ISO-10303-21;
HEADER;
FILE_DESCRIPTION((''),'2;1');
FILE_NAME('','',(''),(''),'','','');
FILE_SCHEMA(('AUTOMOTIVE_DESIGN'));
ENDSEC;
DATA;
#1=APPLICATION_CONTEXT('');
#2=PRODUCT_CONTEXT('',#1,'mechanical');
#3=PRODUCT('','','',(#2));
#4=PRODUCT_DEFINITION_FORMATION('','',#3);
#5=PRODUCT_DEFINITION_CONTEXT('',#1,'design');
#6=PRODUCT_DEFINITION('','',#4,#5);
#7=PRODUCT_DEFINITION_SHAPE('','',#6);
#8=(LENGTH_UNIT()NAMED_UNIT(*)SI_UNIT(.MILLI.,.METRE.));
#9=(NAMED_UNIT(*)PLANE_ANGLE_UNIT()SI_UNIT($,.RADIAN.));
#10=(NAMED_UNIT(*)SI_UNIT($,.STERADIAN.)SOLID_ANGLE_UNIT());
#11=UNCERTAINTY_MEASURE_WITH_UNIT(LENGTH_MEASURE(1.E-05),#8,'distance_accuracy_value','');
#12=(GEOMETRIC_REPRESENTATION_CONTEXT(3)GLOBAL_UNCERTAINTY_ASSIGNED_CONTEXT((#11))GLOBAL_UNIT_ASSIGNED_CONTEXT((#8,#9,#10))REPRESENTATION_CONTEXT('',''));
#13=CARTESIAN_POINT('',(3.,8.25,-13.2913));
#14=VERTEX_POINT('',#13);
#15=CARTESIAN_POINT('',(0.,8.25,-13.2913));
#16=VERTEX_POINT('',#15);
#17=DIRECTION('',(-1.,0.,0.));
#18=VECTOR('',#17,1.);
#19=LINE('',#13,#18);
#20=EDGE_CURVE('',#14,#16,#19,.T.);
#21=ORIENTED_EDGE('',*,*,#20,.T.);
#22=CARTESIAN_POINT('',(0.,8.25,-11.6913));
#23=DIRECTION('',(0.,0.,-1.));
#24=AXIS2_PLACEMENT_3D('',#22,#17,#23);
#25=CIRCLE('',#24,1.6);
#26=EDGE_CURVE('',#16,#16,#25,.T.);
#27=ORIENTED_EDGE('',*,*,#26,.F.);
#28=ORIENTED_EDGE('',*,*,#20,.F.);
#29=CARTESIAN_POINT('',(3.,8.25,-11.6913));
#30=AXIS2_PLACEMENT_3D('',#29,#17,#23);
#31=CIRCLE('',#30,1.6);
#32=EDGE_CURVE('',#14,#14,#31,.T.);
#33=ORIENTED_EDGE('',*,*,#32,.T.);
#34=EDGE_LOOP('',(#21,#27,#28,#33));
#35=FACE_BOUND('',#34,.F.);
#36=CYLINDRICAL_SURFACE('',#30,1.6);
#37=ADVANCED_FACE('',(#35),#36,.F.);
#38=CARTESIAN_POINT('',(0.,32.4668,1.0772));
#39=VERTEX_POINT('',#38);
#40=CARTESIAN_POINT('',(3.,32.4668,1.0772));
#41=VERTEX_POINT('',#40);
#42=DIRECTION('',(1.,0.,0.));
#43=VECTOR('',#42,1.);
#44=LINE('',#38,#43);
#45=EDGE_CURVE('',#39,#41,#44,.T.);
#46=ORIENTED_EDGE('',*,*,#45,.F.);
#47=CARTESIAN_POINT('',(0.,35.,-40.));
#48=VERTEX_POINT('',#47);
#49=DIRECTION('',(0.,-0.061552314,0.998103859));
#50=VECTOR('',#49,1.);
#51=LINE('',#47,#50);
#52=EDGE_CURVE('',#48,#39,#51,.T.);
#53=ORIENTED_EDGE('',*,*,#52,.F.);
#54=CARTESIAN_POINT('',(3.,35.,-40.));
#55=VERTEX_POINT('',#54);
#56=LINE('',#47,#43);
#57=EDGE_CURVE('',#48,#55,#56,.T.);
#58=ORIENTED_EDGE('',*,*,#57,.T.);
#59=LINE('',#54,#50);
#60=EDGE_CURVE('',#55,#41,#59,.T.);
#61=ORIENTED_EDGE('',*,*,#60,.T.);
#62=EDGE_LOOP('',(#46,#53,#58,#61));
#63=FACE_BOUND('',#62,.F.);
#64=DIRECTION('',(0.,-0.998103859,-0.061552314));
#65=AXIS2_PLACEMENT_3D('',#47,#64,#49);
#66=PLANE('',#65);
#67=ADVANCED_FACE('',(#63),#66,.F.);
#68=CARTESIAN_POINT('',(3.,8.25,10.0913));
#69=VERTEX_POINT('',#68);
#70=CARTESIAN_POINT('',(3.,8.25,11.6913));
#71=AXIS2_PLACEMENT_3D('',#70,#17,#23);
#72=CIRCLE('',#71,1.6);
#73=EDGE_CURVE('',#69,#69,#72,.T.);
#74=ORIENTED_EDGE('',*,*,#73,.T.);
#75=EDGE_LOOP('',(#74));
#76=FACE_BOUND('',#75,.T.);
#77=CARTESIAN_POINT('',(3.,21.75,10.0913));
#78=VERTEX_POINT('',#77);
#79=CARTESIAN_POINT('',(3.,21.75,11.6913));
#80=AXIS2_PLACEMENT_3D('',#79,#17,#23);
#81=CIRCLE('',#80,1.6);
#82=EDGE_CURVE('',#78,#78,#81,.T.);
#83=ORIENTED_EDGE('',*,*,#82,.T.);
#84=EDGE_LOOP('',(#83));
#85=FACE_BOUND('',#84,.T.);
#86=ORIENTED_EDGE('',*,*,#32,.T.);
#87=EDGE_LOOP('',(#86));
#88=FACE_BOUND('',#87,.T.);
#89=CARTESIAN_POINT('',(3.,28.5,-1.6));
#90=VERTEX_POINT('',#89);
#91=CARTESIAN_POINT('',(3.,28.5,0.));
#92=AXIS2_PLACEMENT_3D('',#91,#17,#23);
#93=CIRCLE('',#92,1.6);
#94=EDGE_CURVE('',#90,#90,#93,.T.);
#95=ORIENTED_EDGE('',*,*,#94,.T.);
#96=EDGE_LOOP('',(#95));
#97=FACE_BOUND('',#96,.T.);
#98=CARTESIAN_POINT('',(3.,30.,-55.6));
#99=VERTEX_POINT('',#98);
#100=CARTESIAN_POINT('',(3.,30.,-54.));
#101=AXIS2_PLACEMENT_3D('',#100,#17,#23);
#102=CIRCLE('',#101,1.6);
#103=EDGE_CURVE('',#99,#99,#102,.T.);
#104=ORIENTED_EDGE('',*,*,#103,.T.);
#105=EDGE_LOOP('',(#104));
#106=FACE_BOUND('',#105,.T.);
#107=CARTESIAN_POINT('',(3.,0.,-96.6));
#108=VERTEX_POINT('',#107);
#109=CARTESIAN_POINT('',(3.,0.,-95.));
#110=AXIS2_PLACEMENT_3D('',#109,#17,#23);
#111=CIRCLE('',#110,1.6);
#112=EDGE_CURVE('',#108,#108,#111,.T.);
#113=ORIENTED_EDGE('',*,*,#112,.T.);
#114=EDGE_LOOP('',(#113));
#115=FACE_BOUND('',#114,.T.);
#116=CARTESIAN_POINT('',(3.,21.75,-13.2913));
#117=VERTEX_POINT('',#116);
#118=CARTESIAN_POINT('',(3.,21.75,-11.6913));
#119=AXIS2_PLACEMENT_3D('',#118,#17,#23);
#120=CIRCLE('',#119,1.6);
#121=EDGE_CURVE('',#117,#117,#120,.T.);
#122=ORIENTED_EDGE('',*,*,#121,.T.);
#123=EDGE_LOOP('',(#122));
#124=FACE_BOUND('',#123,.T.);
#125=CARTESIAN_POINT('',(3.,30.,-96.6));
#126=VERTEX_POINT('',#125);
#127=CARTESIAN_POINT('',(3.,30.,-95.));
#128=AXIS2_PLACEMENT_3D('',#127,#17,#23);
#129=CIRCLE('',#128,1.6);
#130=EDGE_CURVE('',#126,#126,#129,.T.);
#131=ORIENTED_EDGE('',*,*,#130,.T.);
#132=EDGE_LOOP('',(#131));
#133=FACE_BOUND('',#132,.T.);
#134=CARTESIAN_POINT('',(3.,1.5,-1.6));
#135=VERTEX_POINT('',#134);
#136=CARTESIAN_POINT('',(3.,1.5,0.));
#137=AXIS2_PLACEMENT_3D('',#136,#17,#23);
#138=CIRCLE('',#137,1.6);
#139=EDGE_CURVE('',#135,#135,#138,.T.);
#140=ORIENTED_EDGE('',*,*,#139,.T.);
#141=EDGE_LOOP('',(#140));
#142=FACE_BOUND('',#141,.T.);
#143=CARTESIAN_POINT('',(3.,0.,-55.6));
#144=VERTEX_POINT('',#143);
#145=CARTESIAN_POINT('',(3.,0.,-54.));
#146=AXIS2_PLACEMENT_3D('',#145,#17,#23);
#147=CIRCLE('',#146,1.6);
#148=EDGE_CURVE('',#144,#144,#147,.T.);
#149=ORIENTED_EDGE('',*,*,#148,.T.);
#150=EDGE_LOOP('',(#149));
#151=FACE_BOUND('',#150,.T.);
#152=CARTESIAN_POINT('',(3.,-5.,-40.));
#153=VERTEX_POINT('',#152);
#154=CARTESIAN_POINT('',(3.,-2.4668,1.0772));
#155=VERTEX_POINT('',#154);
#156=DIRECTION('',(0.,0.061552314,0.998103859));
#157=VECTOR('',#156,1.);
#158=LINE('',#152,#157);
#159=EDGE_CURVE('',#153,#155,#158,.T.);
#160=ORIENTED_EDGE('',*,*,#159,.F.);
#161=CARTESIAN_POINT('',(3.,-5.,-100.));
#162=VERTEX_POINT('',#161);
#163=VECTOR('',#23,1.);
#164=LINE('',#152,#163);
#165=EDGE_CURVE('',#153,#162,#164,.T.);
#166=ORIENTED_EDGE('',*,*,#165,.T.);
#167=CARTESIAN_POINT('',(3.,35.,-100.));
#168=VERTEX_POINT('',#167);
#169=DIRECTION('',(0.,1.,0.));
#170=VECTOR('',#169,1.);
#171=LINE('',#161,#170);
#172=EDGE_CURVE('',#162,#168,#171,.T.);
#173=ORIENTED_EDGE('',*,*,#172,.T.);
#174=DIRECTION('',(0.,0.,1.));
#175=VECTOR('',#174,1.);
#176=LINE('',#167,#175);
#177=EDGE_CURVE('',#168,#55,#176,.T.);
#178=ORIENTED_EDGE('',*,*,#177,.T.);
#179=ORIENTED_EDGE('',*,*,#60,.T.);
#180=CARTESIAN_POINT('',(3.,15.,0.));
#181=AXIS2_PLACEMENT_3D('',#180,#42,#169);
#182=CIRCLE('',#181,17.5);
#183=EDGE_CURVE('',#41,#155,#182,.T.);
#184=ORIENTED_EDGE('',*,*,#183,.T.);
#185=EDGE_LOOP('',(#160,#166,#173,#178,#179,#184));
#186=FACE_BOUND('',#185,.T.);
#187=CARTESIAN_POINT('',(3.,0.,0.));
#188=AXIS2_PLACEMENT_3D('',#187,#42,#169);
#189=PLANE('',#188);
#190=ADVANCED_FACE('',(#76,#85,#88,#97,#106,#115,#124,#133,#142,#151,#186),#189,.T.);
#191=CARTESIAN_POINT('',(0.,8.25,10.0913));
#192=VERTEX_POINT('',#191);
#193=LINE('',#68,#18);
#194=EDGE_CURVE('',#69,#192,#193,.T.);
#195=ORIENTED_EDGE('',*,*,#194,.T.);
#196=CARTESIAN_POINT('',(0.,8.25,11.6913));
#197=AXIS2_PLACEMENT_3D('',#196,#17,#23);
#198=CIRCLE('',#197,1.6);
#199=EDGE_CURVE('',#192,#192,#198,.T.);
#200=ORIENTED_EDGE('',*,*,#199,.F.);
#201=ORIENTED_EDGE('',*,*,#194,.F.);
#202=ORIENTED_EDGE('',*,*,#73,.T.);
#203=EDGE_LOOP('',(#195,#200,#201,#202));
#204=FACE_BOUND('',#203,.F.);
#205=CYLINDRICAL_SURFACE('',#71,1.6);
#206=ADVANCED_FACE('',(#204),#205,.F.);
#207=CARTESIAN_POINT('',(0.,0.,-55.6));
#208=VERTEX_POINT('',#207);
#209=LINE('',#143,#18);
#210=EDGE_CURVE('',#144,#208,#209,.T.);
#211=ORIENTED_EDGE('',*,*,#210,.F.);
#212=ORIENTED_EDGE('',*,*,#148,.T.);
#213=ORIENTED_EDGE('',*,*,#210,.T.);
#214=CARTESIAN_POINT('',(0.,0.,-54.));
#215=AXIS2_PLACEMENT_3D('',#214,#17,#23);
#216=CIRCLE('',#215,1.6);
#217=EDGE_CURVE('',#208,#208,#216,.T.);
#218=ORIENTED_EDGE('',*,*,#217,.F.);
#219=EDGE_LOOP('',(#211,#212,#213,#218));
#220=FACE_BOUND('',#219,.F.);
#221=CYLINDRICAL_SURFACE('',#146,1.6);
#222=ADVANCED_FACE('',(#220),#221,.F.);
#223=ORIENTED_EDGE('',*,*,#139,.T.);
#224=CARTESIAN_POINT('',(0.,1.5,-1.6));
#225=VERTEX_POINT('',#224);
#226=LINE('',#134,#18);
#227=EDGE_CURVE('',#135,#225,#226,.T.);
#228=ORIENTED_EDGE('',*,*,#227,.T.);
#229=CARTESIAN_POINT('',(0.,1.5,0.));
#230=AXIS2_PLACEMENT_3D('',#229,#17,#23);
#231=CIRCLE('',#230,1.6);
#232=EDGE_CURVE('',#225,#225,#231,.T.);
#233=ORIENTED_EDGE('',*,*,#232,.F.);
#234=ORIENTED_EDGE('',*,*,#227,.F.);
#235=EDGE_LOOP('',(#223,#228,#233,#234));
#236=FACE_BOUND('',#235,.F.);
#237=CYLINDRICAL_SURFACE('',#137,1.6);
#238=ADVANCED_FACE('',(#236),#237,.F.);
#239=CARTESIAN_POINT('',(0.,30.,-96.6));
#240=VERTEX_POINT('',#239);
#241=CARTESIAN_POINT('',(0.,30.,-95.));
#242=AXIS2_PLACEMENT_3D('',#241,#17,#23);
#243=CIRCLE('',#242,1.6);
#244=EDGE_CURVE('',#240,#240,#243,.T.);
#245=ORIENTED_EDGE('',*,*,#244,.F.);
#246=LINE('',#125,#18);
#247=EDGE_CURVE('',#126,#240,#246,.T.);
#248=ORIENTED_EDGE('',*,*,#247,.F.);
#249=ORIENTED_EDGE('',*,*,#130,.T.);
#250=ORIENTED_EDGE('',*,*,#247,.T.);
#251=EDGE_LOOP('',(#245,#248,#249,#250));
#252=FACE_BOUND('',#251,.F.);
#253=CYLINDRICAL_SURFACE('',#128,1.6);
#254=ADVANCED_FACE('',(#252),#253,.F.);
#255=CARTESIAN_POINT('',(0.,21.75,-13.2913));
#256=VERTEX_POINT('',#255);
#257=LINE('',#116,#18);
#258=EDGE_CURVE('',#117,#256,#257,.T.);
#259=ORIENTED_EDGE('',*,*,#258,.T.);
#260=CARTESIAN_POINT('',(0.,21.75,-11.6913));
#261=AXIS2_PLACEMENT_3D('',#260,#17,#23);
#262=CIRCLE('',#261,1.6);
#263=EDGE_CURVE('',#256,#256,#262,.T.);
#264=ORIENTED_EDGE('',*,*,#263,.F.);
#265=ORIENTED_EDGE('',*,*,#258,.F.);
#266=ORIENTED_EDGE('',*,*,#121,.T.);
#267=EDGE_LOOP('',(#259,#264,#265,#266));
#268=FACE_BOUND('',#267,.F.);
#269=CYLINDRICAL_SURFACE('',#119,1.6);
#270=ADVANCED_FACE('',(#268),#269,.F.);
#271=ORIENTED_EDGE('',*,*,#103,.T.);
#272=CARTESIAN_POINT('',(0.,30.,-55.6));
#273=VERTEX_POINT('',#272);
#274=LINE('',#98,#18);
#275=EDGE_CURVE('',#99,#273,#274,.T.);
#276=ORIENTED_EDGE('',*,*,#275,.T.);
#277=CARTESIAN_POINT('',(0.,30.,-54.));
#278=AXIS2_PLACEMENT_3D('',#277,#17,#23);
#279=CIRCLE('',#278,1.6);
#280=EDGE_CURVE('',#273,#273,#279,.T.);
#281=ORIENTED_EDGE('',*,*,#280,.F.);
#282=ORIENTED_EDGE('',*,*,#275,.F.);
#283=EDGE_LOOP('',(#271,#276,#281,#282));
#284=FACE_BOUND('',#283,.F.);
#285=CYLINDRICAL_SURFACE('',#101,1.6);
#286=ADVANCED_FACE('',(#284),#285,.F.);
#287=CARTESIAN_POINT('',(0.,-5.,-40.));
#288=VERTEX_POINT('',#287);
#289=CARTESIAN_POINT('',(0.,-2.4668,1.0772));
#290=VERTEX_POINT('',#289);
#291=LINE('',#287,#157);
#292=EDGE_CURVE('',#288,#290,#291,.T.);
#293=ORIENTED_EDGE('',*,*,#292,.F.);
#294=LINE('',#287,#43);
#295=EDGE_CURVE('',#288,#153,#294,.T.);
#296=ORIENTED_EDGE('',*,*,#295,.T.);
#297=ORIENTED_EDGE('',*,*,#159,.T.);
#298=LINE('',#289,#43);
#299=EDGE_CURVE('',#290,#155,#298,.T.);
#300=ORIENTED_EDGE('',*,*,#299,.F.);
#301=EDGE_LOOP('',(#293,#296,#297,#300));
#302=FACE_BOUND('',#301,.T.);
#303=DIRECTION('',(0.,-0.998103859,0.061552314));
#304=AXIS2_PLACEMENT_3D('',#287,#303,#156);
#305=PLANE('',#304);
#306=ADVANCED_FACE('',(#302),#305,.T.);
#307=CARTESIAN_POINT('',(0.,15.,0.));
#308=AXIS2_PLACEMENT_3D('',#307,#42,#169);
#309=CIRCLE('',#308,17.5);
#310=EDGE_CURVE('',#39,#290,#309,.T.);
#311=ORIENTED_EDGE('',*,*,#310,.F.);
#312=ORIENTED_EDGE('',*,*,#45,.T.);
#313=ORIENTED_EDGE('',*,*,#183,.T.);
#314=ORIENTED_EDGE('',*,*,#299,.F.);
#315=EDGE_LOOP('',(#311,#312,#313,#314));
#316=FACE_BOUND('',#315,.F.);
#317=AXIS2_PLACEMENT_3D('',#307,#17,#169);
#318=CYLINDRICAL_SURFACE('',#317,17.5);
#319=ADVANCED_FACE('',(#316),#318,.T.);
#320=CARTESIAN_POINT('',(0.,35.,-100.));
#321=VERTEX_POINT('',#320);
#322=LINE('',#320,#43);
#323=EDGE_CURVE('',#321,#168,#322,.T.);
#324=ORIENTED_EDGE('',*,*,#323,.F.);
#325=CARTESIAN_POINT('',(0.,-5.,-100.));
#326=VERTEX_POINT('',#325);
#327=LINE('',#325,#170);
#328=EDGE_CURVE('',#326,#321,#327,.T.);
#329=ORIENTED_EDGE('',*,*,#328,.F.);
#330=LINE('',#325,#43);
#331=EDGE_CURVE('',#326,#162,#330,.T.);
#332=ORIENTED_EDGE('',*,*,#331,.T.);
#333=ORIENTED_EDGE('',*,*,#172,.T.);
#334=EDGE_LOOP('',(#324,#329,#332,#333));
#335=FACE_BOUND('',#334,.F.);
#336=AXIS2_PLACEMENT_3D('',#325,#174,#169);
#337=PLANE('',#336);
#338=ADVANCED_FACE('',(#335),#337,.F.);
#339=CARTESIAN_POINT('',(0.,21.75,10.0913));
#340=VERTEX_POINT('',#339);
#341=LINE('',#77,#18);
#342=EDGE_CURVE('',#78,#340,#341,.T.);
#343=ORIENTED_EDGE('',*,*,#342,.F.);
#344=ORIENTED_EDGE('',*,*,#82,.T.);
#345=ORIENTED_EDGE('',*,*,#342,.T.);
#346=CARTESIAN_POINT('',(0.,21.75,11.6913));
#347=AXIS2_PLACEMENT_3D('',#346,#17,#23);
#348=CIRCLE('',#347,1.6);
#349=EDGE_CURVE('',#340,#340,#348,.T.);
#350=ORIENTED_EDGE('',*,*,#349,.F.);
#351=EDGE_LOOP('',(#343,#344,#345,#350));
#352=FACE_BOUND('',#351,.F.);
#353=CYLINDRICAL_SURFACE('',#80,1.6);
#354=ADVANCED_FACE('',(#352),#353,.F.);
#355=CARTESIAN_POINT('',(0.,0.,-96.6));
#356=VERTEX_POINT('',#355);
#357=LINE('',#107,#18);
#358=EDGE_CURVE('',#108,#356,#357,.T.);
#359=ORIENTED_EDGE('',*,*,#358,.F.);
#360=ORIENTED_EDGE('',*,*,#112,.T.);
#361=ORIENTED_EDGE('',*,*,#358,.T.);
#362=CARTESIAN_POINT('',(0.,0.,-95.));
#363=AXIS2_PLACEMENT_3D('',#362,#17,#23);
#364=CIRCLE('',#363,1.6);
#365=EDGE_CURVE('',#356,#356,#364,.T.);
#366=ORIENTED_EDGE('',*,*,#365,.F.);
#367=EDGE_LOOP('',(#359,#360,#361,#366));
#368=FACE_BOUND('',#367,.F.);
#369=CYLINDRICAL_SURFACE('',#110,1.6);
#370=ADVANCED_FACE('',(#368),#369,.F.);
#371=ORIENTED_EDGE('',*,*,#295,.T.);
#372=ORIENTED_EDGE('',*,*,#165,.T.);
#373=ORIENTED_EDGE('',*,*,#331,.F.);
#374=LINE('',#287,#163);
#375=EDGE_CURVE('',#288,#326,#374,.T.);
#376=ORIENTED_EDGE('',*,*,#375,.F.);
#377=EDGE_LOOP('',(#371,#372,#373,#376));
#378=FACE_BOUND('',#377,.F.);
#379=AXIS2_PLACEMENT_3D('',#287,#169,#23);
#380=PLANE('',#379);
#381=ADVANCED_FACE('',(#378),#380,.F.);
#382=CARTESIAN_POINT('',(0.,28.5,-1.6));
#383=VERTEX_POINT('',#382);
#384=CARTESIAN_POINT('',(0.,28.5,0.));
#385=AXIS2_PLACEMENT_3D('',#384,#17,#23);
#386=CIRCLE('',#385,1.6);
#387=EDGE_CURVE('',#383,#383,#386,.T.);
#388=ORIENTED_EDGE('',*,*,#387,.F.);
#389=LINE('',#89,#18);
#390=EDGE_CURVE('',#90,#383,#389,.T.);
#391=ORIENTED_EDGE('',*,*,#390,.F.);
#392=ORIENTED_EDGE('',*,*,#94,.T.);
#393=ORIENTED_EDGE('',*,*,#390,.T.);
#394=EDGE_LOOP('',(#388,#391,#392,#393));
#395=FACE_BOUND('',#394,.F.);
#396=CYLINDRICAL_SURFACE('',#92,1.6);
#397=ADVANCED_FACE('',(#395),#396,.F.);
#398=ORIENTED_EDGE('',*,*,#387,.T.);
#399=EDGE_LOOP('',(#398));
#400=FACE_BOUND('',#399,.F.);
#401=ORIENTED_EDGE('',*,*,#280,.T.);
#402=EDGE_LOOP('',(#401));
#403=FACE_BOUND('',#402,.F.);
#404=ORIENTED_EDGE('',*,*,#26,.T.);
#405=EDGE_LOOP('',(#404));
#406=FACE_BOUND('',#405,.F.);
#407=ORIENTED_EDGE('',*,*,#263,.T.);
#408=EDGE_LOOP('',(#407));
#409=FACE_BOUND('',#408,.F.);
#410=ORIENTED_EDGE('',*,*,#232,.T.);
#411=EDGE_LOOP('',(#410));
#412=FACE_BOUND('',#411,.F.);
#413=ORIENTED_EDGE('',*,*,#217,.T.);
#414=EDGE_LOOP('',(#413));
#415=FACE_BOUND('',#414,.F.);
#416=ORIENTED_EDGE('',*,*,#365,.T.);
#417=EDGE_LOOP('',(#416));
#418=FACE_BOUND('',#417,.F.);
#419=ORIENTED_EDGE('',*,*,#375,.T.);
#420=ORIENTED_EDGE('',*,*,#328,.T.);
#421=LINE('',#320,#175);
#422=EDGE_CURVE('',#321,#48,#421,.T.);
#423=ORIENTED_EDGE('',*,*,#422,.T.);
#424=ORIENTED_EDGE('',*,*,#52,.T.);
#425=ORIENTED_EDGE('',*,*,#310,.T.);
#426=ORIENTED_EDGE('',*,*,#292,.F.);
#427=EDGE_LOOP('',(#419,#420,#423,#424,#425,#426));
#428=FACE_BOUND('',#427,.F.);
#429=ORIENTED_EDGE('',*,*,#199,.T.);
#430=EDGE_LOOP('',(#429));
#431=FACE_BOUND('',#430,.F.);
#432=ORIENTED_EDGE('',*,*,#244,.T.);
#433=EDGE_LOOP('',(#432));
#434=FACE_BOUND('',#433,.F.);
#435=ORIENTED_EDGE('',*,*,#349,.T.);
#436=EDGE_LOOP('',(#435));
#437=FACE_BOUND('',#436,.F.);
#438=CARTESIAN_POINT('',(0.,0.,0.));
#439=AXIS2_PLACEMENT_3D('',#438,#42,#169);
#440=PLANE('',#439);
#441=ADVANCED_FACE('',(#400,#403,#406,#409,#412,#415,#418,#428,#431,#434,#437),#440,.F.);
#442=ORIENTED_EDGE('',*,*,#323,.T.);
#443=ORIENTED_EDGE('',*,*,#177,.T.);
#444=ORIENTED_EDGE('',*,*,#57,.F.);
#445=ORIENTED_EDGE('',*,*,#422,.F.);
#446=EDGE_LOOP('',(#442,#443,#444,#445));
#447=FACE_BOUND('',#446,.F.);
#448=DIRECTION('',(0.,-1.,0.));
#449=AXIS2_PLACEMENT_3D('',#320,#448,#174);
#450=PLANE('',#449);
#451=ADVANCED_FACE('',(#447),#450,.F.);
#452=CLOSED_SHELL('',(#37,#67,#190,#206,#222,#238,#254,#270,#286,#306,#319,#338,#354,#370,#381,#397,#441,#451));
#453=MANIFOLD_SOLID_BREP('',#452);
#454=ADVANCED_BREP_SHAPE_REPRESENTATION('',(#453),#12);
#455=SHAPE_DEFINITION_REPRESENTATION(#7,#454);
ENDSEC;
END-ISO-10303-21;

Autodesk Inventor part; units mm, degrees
ref_plane "YZ Plane" through (0, 0, 0) normal (1, 0, 0) x (0, 1, 0)
ref_plane "XZ Plane" through (0, 0, 0) normal (0, 1, 0) x (-1, 0, 0)
ref_plane "XY Plane" through (0, 0, 0) normal (0, 0, 1) x (1, 0, 0)
sketch "スケッチ1" plane through (0, 0, 0) normal (1, 0, 0) x (0, 1, 0)
  line L0 (35, -40) -> (-5, -40)
  line L1 (-5, -40) -> (-5, -100)
  line L2 (-5, -100) -> (35, -100)
  line L3 (35, -100) -> (35, -40)
  circle A0 centre (15, 0) radius 17.5
  line L4 (35, -40) -> (32.4668, 1.0772)
  line L5 (-5, -40) -> (-2.4668, 1.0772)
  dimension "d1" = 40
  dimension "d2" = 60
  dimension "d54" = 35
  dimension "d55" = 20
extrude "押し出し1" add sketch "スケッチ1" along normal blind 3
sketch "スケッチ4" plane through (3, 0, 0) normal (1, 0, 0) x (0, 0, -1)
  line L0 (54, 30) -> (95, 30)
  line L1 (95, 30) -> (95, 0)
  line L2 (95, 0) -> (54, 0)
  line L3 (54, 0) -> (54, 30)
  line L4 (100, 35) -> (40, 35) projected
  line L5 (100, -5) -> (100, 35) projected
  point P0 (0, 0)
  dimension "d29" = 41
  dimension "d30" = 30
  dimension "d31" = 5
  dimension "d32" = 5
hole "穴2" at (3, 30, -54) at (3, 0, -54) at (3, 0, -95) at (3, 30, -95) direction (-1, 0, 0) diameter 3.2 end through all
sketch "スケッチ6" plane through (3, 0, 0) normal (1, 0, 0) x (0, 0, -1)
  arc A0 (-1.0772, 32.4668) -> (-1.0772, -2.4668) centre (0, 15) ccw projected
  circle A1 centre (0, 15) radius 13.5
  point P0 (0, 0)
  point P1 (0, 1.5)
  point P2 (11.6913, 8.25)
  point P3 (11.6913, 21.75)
  point P4 (0, 28.5)
  point P5 (-11.6913, 21.75)
  point P6 (-11.6913, 8.25)
  dimension "d56" = 27
  dimension "d59" = 360
hole "穴4" at (3, 1.5, 0) at (3, 8.25, -11.6913) at (3, 21.75, -11.6913) at (3, 28.5, 0) at (3, 21.75, 11.6913) at (3, 8.25, 11.6913) direction (-1, 0, 0) diameter 3.2 end through all
properties part number "link6_plate1" material "アルミニウム 6061"
